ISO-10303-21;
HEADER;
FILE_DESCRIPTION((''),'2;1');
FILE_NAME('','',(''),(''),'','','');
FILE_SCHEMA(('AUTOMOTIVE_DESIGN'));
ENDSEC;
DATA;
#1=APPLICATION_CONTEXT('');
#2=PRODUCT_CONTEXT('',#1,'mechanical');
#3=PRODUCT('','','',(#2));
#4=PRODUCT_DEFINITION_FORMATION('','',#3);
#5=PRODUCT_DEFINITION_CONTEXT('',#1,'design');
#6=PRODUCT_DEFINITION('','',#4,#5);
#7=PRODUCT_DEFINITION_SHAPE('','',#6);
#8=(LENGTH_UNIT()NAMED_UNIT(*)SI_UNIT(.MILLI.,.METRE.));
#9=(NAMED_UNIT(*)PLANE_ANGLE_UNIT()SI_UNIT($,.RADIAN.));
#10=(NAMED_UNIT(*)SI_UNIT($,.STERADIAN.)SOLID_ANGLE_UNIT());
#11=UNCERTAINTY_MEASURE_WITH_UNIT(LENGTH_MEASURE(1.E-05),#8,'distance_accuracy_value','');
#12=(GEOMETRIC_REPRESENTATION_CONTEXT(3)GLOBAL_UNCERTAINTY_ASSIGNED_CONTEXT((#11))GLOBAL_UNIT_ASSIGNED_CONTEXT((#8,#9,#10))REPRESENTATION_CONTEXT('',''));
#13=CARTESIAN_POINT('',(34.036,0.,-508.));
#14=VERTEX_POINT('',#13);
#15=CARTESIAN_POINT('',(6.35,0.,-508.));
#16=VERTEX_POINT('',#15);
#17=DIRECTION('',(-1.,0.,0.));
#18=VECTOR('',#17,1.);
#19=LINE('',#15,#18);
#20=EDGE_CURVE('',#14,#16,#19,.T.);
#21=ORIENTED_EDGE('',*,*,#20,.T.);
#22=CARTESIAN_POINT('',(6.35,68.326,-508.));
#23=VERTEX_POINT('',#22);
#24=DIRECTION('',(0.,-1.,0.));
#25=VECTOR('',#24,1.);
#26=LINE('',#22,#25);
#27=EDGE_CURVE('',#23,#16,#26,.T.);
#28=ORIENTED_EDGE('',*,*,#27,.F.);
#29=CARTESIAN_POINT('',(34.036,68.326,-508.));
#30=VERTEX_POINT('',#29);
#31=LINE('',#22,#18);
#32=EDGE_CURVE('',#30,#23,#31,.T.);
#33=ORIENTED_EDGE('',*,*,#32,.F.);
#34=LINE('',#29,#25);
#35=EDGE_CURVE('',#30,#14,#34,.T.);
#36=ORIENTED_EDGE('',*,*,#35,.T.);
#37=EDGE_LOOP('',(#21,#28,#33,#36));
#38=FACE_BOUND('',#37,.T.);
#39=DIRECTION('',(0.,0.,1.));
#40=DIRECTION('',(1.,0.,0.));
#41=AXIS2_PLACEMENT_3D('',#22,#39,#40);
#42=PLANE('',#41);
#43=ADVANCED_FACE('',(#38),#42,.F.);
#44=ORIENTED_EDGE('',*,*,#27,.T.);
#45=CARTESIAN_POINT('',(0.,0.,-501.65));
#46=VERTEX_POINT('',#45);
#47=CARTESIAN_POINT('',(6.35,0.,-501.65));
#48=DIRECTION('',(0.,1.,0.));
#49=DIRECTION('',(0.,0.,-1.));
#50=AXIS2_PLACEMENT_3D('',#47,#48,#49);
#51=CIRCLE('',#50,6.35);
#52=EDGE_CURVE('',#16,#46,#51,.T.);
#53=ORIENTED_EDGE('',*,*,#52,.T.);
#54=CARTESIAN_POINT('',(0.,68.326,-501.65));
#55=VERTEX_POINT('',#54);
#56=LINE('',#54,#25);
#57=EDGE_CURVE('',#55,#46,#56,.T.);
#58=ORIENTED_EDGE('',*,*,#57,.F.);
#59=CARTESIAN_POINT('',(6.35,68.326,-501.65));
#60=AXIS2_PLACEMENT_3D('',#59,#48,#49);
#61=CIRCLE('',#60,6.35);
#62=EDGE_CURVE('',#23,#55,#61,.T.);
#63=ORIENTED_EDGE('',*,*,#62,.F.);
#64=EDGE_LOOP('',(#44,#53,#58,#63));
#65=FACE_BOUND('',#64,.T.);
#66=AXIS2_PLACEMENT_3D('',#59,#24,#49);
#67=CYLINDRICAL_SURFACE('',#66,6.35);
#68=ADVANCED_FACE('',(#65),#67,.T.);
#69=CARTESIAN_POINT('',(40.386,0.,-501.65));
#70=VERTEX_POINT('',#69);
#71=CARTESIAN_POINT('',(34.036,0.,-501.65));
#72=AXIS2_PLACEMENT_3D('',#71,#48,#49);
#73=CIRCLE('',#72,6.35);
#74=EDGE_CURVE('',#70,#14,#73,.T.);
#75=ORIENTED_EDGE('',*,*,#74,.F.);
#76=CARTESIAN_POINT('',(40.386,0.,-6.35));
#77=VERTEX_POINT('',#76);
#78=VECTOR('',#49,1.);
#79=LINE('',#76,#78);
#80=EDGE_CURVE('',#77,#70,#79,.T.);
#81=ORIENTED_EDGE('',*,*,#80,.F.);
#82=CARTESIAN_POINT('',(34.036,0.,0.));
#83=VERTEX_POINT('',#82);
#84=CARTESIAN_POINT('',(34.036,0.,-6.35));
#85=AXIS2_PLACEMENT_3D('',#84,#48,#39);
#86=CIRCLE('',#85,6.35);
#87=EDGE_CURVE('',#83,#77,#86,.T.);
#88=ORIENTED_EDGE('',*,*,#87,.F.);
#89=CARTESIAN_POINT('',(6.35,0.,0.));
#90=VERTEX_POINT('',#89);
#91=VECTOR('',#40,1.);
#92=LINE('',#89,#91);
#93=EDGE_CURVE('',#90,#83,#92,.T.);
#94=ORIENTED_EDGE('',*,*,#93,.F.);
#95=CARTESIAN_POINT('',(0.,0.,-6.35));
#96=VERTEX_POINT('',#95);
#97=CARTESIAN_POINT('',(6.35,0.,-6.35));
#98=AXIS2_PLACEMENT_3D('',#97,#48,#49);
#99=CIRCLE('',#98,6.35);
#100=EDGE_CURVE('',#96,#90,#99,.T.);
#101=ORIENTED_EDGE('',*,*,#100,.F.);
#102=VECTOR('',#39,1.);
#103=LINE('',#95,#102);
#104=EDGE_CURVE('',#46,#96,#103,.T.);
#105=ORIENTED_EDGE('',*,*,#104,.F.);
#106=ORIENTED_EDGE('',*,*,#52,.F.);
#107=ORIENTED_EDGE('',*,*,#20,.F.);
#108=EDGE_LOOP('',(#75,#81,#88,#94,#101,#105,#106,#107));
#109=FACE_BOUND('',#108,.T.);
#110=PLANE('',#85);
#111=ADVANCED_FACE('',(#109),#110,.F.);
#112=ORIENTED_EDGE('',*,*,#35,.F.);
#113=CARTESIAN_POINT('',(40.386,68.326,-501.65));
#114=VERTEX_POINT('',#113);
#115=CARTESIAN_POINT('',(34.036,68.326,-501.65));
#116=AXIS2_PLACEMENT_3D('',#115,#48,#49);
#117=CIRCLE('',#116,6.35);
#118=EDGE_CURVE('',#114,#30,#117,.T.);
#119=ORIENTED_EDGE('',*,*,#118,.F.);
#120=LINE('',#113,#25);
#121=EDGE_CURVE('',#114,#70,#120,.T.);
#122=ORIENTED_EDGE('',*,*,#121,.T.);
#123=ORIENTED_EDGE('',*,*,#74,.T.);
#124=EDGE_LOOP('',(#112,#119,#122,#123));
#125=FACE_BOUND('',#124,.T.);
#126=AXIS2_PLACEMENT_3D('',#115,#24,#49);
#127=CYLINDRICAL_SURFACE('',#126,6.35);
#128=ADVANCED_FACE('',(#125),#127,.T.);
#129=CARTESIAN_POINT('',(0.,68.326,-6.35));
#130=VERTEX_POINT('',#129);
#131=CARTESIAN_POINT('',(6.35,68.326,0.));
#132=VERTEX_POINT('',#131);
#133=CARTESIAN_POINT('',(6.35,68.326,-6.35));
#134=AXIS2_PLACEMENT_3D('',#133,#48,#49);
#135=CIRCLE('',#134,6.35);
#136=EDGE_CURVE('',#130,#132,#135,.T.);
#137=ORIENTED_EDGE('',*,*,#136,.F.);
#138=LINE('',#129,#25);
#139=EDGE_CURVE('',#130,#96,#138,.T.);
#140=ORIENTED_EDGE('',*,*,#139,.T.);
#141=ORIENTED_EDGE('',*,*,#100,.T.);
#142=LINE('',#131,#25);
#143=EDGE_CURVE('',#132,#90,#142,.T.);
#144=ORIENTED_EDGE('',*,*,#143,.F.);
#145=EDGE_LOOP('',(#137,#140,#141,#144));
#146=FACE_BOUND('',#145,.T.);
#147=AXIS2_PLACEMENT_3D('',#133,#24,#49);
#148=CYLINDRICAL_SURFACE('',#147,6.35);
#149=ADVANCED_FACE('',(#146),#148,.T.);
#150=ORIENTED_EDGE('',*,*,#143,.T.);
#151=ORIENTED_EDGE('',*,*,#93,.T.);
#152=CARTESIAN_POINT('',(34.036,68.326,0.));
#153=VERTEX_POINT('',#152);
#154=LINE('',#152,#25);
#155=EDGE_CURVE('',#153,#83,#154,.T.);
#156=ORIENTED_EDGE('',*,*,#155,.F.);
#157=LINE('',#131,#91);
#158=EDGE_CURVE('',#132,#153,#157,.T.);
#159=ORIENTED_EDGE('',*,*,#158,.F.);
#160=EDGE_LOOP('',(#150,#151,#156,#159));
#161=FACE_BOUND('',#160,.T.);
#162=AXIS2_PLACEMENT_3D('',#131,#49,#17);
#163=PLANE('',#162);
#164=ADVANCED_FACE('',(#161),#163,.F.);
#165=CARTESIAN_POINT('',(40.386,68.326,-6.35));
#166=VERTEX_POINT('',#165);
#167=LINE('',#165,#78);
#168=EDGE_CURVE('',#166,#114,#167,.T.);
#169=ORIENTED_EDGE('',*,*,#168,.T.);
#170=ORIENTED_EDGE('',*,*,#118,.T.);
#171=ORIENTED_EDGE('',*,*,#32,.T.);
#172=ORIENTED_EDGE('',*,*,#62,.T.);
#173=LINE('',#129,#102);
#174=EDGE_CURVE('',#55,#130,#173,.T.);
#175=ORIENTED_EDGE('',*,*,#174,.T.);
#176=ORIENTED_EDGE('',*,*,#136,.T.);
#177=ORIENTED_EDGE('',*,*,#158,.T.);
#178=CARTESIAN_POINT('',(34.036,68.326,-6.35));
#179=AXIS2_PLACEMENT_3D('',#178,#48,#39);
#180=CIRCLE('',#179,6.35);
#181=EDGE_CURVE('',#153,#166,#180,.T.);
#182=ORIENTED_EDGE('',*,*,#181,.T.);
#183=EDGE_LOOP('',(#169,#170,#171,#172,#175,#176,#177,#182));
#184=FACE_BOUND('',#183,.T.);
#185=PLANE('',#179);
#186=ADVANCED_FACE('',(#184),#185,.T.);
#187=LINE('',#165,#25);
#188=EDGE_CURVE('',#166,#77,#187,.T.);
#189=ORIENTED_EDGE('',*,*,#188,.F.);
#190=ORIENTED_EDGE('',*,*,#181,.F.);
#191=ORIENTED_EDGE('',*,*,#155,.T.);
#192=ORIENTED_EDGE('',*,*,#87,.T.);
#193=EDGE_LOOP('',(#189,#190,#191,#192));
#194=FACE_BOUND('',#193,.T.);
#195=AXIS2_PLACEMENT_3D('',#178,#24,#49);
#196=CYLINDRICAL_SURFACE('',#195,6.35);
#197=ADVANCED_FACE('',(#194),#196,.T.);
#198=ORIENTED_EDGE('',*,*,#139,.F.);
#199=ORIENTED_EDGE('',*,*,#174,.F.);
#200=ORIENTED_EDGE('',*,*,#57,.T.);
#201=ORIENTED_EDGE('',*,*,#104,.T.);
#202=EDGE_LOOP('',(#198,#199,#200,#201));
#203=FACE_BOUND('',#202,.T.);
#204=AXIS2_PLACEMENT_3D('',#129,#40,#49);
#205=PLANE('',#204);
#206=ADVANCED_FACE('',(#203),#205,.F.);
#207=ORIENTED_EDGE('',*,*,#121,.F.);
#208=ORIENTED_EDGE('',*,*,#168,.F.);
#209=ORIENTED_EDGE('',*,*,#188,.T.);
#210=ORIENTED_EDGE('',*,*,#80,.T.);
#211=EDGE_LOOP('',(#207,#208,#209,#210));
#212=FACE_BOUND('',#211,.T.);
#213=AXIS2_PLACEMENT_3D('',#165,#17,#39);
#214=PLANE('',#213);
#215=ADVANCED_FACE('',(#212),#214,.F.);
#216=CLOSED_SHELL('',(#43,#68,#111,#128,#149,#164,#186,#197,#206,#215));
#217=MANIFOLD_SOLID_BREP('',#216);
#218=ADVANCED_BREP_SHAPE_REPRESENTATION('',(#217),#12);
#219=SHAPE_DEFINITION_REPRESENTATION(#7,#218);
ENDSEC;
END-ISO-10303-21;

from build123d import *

# Parameters (mm, degrees)
BOSS_EXTRUDE1_DEPTH = 68.326


with BuildPart() as part:
    # Sketch1 → Boss-Extrude1 (new body)
    with BuildSketch(Plane(origin=(0, 0, 0), x_dir=(1, 0, 0), z_dir=(0, 1, 0))):
        with BuildLine():
            Line((6.35, 0), (34.036, 0))
            ThreePointArc((34.036, 0), (38.526128061, 1.859871939), (40.386, 6.35))
            Line((40.386, 6.35), (40.386, 501.65))
            ThreePointArc((40.386, 501.65), (38.526128061, 506.140128061), (34.036, 508))
            Line((34.036, 508), (6.35, 508))
            ThreePointArc((6.35, 508), (1.859871939, 506.140128061), (0, 501.65))
            Line((0, 501.65), (0, 6.35))
            ThreePointArc((0, 6.35), (1.859871939, 1.859871939), (6.35, 0))
        make_face()
    extrude(amount=BOSS_EXTRUDE1_DEPTH)


solid = part.part
